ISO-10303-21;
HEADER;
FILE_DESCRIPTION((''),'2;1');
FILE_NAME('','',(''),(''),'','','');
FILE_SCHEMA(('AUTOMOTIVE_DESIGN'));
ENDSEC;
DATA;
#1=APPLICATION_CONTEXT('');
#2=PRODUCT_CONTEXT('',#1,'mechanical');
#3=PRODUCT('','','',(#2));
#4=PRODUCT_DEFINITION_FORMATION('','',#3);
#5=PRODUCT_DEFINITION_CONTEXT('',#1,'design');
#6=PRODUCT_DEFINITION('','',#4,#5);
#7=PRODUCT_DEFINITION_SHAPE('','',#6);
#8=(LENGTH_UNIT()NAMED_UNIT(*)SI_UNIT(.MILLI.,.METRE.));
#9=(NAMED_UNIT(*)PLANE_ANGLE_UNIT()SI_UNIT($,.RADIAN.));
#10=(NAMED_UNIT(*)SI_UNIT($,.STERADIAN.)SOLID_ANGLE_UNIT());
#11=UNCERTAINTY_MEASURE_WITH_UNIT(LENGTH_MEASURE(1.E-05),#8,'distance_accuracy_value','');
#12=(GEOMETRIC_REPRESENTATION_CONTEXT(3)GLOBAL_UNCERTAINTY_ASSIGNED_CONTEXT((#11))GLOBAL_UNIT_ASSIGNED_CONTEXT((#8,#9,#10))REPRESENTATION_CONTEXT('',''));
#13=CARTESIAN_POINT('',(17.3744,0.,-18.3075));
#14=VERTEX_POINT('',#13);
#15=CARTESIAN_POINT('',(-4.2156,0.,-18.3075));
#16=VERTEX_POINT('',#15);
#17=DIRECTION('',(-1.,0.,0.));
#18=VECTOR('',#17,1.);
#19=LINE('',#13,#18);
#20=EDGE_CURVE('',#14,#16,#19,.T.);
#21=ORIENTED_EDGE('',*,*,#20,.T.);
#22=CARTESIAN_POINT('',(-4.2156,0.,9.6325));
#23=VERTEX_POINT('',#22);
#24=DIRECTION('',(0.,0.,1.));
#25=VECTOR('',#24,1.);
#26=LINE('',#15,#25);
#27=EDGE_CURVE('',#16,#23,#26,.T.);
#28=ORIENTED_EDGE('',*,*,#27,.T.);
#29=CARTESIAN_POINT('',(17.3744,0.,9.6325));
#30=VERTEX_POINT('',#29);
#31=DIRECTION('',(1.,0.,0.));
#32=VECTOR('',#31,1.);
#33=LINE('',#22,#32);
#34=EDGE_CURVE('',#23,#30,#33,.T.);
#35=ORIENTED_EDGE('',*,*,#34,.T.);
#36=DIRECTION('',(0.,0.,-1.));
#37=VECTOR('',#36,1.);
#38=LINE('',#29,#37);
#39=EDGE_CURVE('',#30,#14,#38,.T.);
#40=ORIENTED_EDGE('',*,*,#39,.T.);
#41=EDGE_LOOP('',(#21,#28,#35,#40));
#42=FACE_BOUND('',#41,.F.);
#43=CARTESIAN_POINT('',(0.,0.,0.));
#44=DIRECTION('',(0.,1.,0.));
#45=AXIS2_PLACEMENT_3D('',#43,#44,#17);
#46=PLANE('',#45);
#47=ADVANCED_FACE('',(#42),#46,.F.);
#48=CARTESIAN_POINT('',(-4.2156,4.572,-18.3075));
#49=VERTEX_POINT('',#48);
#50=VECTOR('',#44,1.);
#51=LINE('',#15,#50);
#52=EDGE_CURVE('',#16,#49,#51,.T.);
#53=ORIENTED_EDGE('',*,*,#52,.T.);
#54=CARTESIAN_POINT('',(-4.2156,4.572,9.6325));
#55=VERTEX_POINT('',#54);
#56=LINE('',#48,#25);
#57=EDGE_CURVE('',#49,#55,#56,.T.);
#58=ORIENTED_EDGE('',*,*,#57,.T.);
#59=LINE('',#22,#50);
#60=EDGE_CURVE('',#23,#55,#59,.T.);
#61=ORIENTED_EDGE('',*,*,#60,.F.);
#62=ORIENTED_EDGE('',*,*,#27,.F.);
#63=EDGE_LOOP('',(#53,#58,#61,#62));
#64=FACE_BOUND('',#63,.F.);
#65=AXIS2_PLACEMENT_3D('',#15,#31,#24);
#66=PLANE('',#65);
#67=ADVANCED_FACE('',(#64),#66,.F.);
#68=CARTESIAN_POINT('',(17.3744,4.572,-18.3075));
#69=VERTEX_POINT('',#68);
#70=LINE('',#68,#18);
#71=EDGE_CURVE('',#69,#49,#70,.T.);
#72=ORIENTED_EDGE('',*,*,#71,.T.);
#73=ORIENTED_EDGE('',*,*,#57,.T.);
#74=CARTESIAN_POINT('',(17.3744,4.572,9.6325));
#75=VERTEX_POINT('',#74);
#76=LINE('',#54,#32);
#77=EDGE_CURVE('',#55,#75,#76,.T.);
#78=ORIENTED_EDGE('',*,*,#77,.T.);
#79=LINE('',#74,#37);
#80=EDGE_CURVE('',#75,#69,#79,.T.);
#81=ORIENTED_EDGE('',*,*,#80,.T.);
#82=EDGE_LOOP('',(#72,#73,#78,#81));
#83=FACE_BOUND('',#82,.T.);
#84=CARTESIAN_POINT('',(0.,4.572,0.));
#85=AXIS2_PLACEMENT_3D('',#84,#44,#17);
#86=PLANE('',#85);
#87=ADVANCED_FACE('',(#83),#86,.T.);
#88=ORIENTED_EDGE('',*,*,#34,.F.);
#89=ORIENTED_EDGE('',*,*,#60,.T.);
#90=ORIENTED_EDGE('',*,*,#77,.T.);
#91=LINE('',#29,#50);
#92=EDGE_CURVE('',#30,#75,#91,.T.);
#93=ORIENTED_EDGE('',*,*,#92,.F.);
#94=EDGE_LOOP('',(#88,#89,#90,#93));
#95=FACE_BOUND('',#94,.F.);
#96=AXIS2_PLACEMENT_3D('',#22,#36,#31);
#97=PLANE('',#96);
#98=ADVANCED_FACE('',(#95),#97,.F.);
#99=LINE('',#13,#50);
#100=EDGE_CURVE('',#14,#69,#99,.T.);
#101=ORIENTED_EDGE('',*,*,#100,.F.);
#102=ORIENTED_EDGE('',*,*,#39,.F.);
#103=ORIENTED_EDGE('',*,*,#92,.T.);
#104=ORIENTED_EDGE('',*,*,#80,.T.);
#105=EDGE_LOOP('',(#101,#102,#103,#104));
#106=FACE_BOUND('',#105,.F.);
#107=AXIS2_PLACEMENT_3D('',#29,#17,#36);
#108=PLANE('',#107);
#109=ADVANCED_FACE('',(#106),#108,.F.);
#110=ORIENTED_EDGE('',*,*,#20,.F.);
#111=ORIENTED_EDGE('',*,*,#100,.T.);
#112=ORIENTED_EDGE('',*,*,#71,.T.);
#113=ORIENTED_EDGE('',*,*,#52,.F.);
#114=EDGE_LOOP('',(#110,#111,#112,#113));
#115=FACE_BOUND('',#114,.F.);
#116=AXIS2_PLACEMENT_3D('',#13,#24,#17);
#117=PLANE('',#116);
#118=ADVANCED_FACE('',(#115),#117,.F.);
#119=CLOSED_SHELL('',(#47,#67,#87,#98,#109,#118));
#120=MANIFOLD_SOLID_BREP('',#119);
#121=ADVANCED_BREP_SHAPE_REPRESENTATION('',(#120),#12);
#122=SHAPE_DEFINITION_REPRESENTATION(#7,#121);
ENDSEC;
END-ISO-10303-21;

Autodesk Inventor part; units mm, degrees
ref_plane "YZ Plane" through (0, 0, 0) normal (1, 0, 0) x (0, 1, 0)
ref_plane "XZ Plane" through (0, 0, 0) normal (0, 1, 0) x (-1, 0, 0)
ref_plane "XY Plane" through (0, 0, 0) normal (0, 0, 1) x (1, 0, 0)
sketch "Sketch1" plane through (0, 0, 0) normal (0, 1, 0) x (-1, 0, 0)
  line L0 (4.2156, 9.6325) -> (-17.3744, 9.6325)
  line L1 (-17.3744, 9.6325) -> (-17.3744, -18.3075)
  line L2 (-17.3744, -18.3075) -> (4.2156, -18.3075)
  line L3 (4.2156, -18.3075) -> (4.2156, 9.6325)
  point P0 (0, 0)
  dimension "d0" = 21.59
  dimension "d1" = 27.94
extrude "Extrusion1" add sketch "Sketch1" along normal blind 4.572
properties part number "TPA2016"
